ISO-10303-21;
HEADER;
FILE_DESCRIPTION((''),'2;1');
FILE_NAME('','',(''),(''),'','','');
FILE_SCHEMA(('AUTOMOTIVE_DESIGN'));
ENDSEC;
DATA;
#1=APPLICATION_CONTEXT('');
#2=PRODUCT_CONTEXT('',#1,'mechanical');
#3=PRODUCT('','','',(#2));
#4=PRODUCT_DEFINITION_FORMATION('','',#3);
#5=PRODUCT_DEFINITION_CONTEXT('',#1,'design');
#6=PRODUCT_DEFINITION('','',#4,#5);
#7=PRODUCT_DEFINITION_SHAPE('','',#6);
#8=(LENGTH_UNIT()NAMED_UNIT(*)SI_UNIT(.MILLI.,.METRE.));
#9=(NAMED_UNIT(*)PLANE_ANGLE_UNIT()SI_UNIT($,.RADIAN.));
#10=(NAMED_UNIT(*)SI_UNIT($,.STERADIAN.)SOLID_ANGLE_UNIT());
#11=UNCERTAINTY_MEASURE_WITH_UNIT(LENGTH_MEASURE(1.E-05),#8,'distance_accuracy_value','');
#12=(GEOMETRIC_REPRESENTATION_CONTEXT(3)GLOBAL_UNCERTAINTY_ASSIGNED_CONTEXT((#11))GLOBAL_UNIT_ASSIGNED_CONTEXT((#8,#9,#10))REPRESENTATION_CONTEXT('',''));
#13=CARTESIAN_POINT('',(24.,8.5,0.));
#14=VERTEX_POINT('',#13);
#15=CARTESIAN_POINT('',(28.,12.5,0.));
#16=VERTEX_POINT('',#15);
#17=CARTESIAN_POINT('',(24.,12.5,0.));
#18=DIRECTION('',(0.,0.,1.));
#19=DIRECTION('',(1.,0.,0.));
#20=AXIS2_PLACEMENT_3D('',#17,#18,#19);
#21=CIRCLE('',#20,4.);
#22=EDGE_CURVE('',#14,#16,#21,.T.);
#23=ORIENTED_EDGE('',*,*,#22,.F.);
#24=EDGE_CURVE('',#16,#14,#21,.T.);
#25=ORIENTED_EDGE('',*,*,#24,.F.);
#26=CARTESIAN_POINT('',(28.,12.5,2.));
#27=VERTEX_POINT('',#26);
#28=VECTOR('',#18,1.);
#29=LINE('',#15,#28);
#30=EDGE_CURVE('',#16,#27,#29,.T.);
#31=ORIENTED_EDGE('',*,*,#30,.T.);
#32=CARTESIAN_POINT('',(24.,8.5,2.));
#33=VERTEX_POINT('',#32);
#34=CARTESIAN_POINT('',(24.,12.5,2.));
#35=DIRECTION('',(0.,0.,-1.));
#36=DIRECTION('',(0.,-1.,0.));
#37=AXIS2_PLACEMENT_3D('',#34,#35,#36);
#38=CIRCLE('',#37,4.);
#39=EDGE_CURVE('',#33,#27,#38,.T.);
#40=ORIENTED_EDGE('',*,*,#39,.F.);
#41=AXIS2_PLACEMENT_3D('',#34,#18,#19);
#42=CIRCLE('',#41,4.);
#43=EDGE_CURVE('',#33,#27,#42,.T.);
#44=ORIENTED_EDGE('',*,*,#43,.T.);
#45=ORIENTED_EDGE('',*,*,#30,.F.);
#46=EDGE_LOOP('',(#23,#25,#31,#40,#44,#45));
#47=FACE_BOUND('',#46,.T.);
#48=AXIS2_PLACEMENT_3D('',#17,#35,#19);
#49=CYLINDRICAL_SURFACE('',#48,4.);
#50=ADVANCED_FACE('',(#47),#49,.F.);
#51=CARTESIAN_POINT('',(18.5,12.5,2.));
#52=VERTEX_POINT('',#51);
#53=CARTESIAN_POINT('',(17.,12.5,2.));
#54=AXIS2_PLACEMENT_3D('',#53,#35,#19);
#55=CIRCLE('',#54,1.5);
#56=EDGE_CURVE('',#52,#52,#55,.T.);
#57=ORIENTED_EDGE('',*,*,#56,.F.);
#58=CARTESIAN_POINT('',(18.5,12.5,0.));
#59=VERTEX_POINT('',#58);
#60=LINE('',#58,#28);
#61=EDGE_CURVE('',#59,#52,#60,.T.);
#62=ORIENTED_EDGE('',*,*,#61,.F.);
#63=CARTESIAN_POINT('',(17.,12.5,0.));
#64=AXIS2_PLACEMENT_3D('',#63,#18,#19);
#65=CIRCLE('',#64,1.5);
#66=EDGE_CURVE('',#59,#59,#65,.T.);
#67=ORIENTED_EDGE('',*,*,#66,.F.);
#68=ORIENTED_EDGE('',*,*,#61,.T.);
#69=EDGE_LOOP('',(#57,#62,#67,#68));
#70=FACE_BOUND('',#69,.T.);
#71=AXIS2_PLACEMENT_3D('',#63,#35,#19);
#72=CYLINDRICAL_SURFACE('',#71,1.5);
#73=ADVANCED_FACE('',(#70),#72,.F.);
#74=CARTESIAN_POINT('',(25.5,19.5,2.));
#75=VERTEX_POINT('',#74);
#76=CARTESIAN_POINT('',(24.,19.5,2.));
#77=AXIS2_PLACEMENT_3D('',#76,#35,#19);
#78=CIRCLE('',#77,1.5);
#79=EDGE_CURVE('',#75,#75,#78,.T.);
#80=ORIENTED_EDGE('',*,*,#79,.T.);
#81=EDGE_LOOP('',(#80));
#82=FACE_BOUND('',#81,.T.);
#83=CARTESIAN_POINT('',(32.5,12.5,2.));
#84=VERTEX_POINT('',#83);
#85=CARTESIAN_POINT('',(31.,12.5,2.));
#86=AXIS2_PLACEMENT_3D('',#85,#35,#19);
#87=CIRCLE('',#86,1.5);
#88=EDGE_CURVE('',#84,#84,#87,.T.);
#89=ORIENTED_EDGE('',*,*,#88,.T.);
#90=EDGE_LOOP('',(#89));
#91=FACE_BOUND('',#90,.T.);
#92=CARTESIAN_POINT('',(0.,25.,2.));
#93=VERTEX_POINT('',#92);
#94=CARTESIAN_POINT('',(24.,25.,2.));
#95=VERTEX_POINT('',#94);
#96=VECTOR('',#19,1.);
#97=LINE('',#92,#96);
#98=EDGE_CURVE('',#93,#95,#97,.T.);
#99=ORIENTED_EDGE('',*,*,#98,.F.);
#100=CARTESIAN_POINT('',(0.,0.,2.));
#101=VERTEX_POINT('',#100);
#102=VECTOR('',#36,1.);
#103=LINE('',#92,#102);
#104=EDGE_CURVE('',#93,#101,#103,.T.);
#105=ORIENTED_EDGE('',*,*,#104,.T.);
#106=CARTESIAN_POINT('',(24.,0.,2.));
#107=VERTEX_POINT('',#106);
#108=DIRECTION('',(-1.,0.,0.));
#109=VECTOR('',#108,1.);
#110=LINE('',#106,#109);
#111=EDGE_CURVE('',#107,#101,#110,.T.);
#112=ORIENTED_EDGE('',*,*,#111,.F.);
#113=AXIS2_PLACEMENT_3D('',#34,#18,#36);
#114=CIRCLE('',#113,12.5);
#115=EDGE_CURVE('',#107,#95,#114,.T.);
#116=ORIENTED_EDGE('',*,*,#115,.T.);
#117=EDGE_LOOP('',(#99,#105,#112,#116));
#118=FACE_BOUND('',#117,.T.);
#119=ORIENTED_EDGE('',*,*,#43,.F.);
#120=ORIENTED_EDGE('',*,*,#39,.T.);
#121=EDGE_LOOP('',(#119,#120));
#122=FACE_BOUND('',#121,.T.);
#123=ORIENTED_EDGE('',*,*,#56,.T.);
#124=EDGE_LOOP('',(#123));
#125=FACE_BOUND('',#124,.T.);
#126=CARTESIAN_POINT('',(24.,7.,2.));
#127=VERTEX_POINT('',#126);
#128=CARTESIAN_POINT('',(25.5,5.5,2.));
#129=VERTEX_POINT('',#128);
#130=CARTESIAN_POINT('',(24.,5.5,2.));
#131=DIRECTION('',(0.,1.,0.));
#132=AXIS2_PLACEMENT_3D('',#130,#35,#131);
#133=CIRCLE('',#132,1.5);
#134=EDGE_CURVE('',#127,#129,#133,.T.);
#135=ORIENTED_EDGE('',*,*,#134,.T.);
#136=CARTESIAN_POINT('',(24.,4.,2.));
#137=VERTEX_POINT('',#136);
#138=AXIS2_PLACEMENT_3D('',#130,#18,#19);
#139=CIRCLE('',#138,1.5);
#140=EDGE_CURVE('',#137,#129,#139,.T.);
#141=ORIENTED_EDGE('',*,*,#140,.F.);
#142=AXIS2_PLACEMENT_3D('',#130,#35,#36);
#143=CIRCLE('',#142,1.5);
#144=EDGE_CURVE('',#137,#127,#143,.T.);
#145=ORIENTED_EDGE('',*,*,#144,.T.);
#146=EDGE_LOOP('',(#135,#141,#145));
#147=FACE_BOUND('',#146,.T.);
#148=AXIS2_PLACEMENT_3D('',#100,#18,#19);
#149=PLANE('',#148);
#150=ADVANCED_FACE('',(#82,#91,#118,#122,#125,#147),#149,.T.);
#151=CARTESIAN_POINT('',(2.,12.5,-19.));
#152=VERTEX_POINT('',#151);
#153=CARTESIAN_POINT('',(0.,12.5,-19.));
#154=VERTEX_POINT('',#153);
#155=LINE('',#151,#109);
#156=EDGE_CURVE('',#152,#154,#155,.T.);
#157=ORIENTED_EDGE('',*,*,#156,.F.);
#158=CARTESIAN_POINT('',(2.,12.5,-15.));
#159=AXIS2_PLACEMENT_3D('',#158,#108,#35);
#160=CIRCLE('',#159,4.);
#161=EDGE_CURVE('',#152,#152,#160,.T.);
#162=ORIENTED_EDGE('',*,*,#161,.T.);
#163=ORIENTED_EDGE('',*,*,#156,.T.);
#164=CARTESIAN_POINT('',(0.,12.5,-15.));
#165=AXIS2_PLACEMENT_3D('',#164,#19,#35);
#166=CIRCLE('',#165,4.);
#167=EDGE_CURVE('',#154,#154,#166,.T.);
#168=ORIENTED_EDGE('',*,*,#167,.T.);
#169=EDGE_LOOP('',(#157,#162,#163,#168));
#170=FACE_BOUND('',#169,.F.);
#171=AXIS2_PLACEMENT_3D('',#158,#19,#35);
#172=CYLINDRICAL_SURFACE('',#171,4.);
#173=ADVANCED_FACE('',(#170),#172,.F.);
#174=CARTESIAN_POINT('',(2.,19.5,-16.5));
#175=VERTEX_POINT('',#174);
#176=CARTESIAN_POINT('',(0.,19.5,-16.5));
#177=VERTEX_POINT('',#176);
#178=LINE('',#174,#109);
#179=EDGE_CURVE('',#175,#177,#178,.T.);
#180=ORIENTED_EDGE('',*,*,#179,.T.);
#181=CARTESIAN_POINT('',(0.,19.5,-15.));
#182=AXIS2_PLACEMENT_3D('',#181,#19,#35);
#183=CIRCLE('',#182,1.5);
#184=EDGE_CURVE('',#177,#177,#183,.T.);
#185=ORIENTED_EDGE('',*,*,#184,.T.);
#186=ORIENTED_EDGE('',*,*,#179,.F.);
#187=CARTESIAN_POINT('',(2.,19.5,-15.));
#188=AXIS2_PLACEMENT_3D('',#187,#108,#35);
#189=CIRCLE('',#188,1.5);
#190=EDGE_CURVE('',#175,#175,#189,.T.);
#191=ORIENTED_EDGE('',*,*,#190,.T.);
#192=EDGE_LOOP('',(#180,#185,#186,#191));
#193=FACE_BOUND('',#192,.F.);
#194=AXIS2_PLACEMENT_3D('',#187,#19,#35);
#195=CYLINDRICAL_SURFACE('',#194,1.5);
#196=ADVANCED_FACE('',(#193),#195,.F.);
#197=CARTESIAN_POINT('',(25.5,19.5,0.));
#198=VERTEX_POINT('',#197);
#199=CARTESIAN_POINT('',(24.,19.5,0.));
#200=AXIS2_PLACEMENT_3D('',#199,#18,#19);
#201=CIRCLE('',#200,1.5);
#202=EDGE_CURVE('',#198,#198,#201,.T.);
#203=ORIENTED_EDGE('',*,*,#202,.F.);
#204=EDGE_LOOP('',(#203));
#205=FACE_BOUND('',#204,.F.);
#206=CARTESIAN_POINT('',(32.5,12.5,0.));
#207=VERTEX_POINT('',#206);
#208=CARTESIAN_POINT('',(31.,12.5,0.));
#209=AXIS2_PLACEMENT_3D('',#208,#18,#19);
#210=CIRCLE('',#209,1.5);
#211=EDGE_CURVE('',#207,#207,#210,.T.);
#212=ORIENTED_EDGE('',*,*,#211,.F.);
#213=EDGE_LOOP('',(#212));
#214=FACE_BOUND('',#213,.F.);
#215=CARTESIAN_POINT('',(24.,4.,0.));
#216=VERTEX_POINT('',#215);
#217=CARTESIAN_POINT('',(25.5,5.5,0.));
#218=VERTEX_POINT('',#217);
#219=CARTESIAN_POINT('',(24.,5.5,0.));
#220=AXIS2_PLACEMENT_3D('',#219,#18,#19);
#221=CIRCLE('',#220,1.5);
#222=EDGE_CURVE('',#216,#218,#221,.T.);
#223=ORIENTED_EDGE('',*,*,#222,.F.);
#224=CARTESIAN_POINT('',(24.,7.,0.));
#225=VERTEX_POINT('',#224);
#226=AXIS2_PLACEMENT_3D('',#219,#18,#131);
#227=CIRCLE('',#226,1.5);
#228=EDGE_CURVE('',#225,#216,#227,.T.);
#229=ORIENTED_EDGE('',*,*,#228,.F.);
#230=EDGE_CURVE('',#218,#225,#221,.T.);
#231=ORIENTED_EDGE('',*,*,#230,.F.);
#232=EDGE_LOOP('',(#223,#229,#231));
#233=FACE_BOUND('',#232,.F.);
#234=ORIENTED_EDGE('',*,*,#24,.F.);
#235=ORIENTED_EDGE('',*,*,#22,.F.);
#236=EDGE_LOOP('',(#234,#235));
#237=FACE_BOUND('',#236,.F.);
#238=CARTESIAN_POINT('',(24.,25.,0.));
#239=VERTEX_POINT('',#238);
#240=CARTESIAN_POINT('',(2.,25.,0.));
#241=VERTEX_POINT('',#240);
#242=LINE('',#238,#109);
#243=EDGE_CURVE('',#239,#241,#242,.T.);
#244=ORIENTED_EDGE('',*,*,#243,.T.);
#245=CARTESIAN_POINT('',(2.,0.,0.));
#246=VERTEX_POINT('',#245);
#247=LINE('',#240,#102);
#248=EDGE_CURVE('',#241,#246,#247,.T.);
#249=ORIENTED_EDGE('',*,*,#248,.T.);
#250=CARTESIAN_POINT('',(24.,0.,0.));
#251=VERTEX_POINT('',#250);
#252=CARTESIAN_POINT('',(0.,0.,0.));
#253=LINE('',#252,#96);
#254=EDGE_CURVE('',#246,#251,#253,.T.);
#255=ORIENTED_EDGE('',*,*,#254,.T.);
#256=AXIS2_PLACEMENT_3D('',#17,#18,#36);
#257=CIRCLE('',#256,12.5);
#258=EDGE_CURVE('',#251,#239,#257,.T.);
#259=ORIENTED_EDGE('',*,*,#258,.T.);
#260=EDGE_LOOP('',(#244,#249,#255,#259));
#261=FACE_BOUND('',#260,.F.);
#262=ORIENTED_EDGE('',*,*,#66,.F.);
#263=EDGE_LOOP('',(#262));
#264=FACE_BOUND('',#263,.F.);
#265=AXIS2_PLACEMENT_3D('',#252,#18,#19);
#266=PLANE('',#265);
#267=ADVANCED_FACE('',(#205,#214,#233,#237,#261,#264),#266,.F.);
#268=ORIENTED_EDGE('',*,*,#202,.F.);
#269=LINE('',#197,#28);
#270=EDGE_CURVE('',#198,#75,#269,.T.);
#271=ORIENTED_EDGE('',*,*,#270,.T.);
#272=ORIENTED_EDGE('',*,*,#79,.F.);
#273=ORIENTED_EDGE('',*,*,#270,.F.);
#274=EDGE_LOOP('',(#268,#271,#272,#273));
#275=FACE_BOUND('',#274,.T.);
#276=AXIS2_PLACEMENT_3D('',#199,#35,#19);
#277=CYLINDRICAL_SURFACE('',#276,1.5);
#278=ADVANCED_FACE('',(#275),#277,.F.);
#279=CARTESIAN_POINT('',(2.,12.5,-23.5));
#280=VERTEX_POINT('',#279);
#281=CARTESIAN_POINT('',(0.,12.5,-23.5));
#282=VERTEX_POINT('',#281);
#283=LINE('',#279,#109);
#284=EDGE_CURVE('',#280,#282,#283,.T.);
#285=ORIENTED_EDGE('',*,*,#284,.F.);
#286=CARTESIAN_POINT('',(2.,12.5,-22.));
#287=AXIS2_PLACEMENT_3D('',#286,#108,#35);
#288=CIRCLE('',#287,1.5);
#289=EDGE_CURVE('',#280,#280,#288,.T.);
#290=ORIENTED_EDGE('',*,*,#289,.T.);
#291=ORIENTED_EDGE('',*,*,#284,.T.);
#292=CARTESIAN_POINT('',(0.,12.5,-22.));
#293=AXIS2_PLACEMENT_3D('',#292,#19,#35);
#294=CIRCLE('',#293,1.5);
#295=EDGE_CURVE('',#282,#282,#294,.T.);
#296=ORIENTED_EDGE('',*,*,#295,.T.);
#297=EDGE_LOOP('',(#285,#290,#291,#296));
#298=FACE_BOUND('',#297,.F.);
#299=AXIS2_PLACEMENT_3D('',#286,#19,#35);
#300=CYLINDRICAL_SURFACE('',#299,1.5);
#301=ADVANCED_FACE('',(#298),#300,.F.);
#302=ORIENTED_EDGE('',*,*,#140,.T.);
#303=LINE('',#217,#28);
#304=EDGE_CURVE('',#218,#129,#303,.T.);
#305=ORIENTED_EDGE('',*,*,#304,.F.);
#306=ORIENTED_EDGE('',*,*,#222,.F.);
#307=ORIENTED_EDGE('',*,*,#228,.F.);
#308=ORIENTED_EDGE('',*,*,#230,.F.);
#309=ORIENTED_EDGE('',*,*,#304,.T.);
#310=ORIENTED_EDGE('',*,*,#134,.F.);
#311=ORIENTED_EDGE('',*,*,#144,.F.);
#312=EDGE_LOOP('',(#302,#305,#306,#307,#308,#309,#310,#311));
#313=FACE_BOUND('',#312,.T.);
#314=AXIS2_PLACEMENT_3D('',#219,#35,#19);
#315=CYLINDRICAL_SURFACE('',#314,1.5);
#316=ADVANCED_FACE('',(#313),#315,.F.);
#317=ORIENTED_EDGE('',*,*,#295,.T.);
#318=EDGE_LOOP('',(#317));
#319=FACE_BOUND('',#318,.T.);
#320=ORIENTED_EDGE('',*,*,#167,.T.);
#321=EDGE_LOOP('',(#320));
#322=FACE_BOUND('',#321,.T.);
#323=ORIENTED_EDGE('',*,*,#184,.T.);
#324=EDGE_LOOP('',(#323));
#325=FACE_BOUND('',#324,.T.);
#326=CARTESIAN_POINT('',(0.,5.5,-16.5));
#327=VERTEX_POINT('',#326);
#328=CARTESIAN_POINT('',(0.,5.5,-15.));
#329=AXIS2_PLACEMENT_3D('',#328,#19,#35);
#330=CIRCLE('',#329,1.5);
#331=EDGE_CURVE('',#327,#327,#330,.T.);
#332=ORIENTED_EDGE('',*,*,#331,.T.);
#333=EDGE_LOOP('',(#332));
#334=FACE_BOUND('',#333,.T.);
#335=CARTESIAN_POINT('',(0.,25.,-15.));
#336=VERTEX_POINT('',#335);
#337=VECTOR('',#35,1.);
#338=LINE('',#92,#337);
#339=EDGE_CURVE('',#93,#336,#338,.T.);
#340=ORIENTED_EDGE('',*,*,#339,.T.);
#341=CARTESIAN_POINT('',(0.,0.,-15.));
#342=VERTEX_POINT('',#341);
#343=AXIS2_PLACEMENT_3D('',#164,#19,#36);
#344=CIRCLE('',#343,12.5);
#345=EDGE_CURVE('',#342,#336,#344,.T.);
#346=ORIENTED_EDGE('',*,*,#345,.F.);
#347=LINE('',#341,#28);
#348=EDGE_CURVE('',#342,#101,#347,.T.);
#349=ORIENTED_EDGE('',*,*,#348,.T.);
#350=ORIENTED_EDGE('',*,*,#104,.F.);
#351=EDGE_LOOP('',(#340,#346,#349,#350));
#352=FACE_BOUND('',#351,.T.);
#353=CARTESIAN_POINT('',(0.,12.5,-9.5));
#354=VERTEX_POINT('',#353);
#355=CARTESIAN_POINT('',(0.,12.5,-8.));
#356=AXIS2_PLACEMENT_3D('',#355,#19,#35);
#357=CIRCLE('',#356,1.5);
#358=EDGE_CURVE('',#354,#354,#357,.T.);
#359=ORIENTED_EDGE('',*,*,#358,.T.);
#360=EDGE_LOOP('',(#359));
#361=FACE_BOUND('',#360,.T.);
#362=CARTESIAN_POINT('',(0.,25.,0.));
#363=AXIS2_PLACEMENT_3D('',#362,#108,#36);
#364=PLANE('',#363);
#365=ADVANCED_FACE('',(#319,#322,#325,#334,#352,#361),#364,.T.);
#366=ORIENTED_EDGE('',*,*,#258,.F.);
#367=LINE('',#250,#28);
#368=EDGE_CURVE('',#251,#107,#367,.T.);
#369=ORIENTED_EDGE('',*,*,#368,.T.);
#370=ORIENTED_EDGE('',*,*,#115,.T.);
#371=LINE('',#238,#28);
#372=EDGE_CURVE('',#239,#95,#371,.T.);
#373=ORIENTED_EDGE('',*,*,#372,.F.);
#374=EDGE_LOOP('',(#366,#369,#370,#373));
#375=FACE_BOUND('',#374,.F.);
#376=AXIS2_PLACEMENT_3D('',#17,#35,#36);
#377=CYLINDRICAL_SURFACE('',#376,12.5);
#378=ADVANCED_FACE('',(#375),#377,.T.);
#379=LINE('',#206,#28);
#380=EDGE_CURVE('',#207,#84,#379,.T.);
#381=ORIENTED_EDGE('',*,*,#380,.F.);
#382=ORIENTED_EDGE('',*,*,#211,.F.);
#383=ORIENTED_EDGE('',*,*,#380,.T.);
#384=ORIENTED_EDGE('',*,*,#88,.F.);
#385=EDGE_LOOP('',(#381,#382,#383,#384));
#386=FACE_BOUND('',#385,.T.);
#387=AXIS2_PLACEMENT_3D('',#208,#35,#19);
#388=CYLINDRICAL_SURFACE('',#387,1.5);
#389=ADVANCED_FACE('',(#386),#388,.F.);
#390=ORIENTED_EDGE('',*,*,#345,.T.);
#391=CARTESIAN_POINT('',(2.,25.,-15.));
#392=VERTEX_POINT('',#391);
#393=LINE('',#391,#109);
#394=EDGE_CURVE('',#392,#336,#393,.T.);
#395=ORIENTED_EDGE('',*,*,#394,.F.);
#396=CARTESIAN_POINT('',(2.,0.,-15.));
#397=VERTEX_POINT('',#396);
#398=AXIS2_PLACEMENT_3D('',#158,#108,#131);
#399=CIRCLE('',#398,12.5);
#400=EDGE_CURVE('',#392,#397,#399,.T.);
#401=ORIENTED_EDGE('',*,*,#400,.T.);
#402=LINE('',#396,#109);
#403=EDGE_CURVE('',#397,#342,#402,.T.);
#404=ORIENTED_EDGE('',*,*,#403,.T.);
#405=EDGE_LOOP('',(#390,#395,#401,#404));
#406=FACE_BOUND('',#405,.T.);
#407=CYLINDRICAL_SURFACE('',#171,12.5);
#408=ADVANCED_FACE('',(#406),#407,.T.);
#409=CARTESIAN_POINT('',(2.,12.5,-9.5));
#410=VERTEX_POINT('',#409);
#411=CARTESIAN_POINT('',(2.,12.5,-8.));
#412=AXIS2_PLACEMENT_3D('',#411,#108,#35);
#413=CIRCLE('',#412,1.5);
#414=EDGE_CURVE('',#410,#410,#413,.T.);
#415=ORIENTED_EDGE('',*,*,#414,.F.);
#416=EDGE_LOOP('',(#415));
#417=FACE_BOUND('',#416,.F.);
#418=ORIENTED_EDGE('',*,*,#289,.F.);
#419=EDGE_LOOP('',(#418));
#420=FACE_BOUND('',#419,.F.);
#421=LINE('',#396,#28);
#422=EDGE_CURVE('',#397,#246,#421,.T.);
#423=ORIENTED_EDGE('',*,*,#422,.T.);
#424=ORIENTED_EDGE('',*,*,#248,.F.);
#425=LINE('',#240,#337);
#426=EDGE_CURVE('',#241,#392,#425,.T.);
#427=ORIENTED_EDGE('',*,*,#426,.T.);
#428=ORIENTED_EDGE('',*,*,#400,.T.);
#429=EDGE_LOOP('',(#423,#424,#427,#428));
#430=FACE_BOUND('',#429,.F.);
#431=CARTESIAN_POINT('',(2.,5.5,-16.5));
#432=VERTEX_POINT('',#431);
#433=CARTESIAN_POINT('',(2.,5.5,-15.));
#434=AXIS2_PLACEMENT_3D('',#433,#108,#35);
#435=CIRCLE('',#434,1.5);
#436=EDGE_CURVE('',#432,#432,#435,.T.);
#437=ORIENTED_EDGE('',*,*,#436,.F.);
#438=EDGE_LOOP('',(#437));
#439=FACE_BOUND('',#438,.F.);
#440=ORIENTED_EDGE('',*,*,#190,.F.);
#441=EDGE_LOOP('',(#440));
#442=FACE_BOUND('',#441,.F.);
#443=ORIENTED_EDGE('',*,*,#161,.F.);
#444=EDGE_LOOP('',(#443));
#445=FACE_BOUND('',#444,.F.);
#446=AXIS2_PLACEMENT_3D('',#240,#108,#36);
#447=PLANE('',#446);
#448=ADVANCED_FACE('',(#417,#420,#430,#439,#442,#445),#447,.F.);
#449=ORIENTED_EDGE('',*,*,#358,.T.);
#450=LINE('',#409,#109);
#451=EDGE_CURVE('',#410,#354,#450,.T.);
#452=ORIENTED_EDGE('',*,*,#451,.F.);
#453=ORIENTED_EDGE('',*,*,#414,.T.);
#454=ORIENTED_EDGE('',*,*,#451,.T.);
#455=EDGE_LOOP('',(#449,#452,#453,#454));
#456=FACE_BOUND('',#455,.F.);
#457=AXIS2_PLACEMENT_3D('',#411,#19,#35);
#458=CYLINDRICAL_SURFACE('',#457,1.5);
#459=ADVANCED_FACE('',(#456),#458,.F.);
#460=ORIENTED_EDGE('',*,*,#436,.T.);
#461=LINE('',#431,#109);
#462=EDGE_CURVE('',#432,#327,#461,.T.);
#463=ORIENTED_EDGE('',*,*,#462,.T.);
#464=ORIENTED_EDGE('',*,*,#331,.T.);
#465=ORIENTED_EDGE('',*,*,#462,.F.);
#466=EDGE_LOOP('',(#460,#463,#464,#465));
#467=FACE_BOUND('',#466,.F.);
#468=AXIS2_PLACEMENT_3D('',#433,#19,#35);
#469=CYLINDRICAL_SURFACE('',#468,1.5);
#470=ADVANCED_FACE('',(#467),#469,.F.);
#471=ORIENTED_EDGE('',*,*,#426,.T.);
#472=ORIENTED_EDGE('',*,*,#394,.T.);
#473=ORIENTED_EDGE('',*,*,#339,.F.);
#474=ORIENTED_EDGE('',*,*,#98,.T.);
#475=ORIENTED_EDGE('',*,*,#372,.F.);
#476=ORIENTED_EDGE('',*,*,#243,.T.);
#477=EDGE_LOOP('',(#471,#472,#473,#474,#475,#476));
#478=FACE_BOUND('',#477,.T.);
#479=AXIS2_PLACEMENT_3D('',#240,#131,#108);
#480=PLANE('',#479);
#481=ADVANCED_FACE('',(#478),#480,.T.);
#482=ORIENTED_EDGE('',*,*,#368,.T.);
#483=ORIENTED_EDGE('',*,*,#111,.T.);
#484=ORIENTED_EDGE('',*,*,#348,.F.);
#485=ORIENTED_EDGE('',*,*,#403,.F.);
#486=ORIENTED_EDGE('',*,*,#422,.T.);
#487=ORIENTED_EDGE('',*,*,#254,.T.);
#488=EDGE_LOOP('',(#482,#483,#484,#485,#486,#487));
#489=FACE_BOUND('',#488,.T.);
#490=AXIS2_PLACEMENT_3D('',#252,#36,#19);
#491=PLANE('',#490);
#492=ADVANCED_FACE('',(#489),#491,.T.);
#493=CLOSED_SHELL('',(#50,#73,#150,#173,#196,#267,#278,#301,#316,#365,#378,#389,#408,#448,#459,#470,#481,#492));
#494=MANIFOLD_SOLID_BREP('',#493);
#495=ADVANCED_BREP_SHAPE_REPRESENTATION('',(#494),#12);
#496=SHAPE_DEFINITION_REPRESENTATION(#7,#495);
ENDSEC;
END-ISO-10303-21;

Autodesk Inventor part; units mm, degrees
ref_plane "YZ Plane" through (0, 0, 0) normal (1, 0, 0) x (0, 1, 0)
ref_plane "XZ Plane" through (0, 0, 0) normal (0, 1, 0) x (-1, 0, 0)
ref_plane "XY Plane" through (0, 0, 0) normal (0, 0, 1) x (1, 0, 0)
sketch "Sketch1" plane through (0, 0, 0) normal (0, 0, 1) x (1, 0, 0)
  line L0 (0, 0) -> (24, 0)
  line L1 (24, 25) -> (0, 25)
  line L2 (0, 25) -> (0, 0)
  arc A0 (24, 0) -> (24, 25) centre (24, 12.5) ccw
  circle A1 centre (24, 12.5) radius 4
  circle A2 centre (24, 12.5) radius 7
  circle A3 centre (24, 19.5) radius 1.5
  circle A4 centre (17, 12.5) radius 1.5
  circle A5 centre (24, 5.5) radius 1.5
  circle A6 centre (31, 12.5) radius 1.5
  line L3 (24, 0) -> (24, 16.5)
  line L4 (24, 19.5) -> (24, 21)
  line L5 (0, 25) -> (2, 25)
  line L6 (2, 25) -> (2, 0)
  line L7 (2, 0) -> (0, 0)
  line L8 (0, 0) -> (0, 25)
  dimension "d2" = 8
  dimension "d3" = 14
  dimension "d4" = 3
  dimension "d0" = 24
  dimension "d1" = 25
  dimension "d7" = 360
  dimension "d11" = 2
extrude "Extrusion1" add sketch "Sketch1" along normal blind 2 contours L2 L1 L6 L0 | L6 L1 A0 L0 | A2 A4 A3 A6 A5
extrude "Extrusion2" add sketch "Sketch1" against normal blind 1 contours L2 L1 L6 L0
sketch "Sketch2" plane through (2, 0, 0) normal (1, 0, 0) x (0, 0, -1)
  line L0 (0, 25) -> (0, 0) projected
  line L1 (0, 25) -> (15, 25)
  line L2 (15, 25) -> (15, 0)
  line L3 (15, 0) -> (0, 0)
  line L4 (0, 0) -> (0, 25)
  circle A0 centre (15, 12.5) radius 12.5
  circle A1 centre (15, 12.5) radius 4
  circle A2 centre (15, 12.5) radius 7
  circle A3 centre (15, 19.5) radius 1.5
  circle A4 centre (8, 12.5) radius 1.5
  circle A5 centre (15, 5.5) radius 1.5
  circle A6 centre (22, 12.5) radius 1.5
  point P0 (15, 0)
  dimension "d17" = 14
  dimension "d14" = 15
  dimension "d15" = 25
  dimension "d16" = 8
  dimension "d18" = 3
  dimension "d21" = 360
extrude "Extrusion3" add sketch "Sketch2" against normal blind 2 contours L1 A0 L3 L0 | A0 L2 A5 A2 A6 A3 | L2 A3 A2 A4 A5 A0 | A3 L2 A1 A5 A2 A4 | A3 A2 A6 A5 L2 A1
properties part number "Bracket ANGULO"
